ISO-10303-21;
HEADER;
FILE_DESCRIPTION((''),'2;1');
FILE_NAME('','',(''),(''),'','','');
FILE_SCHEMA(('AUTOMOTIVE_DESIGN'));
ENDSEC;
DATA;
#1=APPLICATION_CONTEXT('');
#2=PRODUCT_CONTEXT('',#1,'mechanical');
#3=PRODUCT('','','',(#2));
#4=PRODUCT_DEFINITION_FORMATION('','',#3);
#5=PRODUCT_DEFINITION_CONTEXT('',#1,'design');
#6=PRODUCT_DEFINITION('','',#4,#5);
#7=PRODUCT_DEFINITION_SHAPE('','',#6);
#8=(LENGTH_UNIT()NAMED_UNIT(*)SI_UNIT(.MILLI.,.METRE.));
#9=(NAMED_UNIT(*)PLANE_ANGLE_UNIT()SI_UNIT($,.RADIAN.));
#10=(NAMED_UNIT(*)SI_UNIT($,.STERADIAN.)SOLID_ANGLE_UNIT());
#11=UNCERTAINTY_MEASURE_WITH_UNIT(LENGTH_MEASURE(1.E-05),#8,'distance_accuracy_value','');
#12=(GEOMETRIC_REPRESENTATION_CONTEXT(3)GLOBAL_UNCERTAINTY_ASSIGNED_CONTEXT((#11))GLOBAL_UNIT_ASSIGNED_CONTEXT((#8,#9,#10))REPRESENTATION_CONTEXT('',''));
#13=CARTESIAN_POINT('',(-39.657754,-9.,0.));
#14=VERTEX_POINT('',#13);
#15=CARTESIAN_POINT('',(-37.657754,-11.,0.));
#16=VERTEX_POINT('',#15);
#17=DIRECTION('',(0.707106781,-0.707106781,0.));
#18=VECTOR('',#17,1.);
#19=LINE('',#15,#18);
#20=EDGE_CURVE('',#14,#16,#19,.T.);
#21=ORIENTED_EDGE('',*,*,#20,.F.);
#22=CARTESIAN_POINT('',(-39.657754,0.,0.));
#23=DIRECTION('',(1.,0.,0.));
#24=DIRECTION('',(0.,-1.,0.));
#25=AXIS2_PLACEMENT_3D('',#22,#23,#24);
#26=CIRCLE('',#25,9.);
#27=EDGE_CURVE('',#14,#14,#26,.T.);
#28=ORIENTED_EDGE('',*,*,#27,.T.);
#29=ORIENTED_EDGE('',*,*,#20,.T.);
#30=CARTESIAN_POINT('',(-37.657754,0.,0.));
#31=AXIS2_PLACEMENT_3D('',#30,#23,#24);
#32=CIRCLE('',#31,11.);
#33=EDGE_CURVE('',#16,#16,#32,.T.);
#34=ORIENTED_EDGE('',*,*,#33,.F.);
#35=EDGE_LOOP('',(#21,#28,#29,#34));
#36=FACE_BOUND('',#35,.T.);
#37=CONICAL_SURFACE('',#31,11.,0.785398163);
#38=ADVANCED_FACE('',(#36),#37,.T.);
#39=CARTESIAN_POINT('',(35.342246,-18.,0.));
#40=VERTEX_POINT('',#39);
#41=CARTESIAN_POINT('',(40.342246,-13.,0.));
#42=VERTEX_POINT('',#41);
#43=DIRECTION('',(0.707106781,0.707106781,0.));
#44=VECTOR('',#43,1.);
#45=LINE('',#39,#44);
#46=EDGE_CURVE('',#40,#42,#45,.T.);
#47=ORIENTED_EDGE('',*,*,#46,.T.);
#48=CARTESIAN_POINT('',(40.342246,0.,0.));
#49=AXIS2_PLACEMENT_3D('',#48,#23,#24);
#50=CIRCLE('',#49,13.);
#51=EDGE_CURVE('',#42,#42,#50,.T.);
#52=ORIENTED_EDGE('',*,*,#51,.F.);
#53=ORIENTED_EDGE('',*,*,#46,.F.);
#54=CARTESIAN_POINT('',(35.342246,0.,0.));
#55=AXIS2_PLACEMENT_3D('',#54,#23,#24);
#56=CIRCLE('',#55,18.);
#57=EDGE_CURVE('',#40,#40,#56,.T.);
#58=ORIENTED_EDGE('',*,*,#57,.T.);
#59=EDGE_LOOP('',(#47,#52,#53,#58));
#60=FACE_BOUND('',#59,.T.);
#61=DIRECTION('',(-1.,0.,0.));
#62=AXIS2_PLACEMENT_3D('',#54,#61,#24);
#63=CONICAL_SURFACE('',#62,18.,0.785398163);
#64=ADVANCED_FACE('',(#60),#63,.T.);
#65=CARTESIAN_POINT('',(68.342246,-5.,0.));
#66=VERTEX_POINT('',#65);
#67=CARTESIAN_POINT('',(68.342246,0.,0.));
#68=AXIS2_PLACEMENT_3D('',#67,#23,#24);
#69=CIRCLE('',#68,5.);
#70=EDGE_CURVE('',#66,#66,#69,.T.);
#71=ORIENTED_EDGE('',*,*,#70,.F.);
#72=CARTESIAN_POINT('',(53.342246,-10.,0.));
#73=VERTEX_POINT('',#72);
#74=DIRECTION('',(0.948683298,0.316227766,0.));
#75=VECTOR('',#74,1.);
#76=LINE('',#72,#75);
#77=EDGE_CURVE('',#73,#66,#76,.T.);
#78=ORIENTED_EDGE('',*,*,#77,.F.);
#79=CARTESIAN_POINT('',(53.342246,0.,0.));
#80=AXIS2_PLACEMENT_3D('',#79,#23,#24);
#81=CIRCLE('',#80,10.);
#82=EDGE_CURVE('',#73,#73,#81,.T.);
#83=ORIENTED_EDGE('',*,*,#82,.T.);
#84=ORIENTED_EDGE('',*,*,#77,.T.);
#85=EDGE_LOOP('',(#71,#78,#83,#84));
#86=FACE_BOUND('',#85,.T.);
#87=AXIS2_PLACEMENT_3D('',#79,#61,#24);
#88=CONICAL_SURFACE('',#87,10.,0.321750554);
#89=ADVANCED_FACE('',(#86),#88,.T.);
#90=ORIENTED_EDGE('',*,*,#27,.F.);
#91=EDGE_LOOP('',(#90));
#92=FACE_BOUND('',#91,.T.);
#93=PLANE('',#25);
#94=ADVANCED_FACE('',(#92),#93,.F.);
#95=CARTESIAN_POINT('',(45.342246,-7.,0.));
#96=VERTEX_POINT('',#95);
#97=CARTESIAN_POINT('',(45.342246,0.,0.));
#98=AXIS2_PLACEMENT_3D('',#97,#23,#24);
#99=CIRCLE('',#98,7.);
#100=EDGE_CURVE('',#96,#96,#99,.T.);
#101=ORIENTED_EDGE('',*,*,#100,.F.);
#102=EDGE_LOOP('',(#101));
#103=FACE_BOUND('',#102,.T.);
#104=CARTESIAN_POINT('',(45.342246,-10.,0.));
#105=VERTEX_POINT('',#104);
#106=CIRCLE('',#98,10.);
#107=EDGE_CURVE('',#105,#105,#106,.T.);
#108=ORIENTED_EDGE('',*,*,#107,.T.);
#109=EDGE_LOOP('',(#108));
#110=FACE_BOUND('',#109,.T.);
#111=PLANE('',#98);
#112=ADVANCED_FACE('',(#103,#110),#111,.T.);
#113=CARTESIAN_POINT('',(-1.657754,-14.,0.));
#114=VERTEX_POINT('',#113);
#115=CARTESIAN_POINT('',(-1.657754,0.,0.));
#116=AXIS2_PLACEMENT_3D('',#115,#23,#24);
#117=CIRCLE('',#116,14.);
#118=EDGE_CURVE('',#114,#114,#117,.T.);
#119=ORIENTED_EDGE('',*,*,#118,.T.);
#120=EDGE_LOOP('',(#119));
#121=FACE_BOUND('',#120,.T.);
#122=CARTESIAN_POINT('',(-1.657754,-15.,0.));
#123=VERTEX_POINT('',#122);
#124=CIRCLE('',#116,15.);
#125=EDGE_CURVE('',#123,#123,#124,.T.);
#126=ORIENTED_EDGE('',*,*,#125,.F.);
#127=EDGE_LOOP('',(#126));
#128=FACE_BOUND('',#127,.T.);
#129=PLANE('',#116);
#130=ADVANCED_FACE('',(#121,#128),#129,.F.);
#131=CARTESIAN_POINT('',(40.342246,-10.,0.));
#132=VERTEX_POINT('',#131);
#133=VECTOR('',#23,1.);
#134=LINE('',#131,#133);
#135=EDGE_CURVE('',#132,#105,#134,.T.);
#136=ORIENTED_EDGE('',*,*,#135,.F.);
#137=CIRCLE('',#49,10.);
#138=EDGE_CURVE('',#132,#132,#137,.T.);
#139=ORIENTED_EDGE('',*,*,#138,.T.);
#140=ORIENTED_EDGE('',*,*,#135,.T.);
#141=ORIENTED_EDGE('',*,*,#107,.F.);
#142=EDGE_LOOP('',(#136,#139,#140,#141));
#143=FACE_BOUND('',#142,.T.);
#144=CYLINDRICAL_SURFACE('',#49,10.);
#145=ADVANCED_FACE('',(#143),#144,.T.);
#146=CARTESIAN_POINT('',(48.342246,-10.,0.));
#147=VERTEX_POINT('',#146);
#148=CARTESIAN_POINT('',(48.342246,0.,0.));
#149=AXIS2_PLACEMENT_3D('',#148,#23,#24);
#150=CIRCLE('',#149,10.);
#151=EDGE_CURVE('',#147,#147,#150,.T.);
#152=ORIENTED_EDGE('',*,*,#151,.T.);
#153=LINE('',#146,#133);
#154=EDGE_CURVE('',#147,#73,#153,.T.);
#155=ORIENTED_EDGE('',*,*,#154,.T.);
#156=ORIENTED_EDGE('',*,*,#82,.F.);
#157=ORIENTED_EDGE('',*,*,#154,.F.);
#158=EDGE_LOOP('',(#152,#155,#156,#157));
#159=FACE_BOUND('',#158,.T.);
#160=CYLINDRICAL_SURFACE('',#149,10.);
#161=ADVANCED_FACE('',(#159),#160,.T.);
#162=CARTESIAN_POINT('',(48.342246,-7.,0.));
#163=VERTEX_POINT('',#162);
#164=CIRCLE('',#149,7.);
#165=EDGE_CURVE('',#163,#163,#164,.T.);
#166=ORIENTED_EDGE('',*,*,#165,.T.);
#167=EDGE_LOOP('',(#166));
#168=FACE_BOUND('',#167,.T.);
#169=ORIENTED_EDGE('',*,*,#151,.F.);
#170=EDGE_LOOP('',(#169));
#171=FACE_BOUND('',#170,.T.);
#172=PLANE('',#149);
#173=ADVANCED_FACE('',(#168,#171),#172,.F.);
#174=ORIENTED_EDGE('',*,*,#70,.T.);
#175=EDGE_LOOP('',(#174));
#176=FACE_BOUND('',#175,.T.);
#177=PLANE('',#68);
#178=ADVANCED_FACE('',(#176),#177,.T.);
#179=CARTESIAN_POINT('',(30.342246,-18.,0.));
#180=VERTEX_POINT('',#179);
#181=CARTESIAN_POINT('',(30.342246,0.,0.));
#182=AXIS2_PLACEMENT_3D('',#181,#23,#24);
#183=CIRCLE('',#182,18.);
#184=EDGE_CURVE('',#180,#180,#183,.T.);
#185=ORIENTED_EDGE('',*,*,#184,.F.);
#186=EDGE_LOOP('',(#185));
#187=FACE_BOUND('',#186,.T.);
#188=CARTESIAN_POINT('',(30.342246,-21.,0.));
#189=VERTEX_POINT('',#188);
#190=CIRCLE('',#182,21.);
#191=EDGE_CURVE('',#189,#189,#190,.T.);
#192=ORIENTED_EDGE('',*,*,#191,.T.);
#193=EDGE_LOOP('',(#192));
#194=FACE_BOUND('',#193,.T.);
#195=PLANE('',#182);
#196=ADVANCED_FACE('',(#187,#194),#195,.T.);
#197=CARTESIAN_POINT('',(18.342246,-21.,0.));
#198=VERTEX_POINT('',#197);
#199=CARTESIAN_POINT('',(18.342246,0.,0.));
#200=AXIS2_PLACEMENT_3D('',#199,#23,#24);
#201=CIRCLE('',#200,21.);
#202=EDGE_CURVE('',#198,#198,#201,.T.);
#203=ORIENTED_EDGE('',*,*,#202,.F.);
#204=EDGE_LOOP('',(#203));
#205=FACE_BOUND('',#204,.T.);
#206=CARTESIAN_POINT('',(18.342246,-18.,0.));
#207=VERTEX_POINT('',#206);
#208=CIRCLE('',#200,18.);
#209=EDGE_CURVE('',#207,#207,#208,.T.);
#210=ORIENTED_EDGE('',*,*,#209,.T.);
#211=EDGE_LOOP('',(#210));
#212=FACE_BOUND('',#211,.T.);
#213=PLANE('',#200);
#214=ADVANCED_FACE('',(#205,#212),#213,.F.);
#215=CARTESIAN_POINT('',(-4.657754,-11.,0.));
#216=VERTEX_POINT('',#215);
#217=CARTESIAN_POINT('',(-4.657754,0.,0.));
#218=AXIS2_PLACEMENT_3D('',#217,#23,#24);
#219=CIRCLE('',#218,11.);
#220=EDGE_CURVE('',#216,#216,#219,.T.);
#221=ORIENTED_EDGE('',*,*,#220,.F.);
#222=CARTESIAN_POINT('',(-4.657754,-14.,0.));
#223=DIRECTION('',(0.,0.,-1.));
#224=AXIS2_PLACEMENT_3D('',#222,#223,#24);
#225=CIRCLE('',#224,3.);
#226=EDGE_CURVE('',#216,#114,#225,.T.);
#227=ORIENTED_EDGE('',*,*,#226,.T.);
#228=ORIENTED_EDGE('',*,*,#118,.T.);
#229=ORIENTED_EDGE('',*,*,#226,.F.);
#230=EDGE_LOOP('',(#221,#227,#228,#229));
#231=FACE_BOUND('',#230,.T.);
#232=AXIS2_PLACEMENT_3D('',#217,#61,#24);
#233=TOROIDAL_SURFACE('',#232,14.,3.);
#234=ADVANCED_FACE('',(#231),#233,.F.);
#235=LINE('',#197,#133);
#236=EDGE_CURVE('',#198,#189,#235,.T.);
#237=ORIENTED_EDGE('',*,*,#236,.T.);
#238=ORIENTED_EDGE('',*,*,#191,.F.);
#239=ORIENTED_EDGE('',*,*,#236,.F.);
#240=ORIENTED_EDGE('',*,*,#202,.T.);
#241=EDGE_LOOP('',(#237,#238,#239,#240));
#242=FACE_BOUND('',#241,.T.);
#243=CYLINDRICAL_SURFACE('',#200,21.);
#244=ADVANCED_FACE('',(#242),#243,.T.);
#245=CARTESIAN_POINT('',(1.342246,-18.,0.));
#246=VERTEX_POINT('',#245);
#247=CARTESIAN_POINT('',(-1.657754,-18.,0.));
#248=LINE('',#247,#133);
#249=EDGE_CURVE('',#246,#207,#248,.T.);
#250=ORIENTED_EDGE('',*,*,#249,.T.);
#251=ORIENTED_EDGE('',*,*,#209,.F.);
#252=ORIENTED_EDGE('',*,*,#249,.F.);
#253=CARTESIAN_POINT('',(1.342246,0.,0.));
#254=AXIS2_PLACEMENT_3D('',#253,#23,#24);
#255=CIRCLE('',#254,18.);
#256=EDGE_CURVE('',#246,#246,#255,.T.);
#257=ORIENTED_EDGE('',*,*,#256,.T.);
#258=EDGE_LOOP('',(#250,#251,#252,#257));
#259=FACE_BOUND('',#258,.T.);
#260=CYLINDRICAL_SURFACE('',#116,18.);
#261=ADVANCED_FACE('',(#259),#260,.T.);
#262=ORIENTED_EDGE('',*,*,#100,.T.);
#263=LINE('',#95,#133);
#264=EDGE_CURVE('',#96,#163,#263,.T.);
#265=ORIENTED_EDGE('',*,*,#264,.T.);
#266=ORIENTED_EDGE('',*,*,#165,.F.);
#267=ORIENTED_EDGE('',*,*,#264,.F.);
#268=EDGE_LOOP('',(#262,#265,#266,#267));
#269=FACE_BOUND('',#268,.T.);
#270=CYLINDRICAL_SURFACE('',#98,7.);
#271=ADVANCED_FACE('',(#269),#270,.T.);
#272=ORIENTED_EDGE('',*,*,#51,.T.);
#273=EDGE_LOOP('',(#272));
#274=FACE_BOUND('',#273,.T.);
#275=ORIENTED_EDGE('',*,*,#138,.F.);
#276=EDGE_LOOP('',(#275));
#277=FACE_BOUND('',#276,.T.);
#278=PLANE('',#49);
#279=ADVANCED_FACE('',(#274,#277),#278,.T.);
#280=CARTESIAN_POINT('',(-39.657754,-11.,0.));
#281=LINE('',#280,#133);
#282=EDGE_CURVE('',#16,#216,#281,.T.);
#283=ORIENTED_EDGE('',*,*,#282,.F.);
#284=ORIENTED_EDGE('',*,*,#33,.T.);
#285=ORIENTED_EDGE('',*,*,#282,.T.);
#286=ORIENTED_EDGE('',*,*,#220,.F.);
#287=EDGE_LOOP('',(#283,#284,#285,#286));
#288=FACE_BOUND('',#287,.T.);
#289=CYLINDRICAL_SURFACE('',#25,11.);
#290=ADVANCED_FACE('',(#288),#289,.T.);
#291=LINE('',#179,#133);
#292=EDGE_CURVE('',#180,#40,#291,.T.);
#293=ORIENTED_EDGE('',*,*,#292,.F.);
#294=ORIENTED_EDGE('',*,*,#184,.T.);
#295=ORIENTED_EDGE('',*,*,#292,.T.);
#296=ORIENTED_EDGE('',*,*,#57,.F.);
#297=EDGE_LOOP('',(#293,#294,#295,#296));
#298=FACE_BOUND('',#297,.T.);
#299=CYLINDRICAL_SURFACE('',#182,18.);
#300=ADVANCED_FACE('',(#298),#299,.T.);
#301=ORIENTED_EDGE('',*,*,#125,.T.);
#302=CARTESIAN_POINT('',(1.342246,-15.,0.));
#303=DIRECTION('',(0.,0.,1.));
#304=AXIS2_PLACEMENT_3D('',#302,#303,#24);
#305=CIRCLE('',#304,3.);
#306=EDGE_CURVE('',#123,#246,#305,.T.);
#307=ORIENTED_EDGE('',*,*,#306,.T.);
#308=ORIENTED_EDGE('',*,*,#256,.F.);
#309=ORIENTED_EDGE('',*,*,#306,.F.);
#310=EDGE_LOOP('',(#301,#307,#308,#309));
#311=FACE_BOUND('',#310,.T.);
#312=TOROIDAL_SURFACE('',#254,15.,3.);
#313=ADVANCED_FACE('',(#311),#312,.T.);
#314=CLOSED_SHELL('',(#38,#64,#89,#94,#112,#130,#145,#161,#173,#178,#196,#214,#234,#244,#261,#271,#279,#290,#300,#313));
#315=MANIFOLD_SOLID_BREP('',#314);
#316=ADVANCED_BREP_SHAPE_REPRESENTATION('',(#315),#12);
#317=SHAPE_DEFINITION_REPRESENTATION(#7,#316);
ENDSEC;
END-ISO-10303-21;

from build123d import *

# Parameters (mm, degrees)
F2_SIZE2 = 2
F2_SIZE  = 2
F3_R     = 3
F4_SIZE  = 5


with BuildPart() as f1:
    # F0 (on Top) → F1 (revolve)
    with BuildSketch(Plane.XY):
        Polygon((68.342246, 0), (-39.657754, 0), (-39.657754, -11), (-1.657754, -11), (-1.657754, -18), (18.342246, -18), (18.342246, -21), (30.342246, -21), (30.342246, -18), (40.342246, -18), (40.342246, -10), (45.342246, -10), (45.342246, -7), (48.342246, -7), (48.342246, -10), (53.342246, -10), (68.342246, -5), align=None)
    revolve(axis=Axis((14.342246, 0, 0), (1, 0, 0)))

    # F2
    f2_edges = [f1.edges().sort_by_distance(p)[0] for p in [
        (-39.657754, 11, 0),
    ]]
    chamfer(f2_edges, length=F2_SIZE, length2=F2_SIZE2)

    # F3
    f3_edges = [f1.edges().sort_by_distance(p)[0] for p in [
        (-1.657754, 18, 0),
        (-1.657754, 11, 0),
    ]]
    fillet(f3_edges, radius=F3_R)

    # F4
    f4_edges = [f1.edges().sort_by_distance(p)[0] for p in [
        (40.342246, 18, 0),
    ]]
    chamfer(f4_edges, length=F4_SIZE)


solid = f1.part
